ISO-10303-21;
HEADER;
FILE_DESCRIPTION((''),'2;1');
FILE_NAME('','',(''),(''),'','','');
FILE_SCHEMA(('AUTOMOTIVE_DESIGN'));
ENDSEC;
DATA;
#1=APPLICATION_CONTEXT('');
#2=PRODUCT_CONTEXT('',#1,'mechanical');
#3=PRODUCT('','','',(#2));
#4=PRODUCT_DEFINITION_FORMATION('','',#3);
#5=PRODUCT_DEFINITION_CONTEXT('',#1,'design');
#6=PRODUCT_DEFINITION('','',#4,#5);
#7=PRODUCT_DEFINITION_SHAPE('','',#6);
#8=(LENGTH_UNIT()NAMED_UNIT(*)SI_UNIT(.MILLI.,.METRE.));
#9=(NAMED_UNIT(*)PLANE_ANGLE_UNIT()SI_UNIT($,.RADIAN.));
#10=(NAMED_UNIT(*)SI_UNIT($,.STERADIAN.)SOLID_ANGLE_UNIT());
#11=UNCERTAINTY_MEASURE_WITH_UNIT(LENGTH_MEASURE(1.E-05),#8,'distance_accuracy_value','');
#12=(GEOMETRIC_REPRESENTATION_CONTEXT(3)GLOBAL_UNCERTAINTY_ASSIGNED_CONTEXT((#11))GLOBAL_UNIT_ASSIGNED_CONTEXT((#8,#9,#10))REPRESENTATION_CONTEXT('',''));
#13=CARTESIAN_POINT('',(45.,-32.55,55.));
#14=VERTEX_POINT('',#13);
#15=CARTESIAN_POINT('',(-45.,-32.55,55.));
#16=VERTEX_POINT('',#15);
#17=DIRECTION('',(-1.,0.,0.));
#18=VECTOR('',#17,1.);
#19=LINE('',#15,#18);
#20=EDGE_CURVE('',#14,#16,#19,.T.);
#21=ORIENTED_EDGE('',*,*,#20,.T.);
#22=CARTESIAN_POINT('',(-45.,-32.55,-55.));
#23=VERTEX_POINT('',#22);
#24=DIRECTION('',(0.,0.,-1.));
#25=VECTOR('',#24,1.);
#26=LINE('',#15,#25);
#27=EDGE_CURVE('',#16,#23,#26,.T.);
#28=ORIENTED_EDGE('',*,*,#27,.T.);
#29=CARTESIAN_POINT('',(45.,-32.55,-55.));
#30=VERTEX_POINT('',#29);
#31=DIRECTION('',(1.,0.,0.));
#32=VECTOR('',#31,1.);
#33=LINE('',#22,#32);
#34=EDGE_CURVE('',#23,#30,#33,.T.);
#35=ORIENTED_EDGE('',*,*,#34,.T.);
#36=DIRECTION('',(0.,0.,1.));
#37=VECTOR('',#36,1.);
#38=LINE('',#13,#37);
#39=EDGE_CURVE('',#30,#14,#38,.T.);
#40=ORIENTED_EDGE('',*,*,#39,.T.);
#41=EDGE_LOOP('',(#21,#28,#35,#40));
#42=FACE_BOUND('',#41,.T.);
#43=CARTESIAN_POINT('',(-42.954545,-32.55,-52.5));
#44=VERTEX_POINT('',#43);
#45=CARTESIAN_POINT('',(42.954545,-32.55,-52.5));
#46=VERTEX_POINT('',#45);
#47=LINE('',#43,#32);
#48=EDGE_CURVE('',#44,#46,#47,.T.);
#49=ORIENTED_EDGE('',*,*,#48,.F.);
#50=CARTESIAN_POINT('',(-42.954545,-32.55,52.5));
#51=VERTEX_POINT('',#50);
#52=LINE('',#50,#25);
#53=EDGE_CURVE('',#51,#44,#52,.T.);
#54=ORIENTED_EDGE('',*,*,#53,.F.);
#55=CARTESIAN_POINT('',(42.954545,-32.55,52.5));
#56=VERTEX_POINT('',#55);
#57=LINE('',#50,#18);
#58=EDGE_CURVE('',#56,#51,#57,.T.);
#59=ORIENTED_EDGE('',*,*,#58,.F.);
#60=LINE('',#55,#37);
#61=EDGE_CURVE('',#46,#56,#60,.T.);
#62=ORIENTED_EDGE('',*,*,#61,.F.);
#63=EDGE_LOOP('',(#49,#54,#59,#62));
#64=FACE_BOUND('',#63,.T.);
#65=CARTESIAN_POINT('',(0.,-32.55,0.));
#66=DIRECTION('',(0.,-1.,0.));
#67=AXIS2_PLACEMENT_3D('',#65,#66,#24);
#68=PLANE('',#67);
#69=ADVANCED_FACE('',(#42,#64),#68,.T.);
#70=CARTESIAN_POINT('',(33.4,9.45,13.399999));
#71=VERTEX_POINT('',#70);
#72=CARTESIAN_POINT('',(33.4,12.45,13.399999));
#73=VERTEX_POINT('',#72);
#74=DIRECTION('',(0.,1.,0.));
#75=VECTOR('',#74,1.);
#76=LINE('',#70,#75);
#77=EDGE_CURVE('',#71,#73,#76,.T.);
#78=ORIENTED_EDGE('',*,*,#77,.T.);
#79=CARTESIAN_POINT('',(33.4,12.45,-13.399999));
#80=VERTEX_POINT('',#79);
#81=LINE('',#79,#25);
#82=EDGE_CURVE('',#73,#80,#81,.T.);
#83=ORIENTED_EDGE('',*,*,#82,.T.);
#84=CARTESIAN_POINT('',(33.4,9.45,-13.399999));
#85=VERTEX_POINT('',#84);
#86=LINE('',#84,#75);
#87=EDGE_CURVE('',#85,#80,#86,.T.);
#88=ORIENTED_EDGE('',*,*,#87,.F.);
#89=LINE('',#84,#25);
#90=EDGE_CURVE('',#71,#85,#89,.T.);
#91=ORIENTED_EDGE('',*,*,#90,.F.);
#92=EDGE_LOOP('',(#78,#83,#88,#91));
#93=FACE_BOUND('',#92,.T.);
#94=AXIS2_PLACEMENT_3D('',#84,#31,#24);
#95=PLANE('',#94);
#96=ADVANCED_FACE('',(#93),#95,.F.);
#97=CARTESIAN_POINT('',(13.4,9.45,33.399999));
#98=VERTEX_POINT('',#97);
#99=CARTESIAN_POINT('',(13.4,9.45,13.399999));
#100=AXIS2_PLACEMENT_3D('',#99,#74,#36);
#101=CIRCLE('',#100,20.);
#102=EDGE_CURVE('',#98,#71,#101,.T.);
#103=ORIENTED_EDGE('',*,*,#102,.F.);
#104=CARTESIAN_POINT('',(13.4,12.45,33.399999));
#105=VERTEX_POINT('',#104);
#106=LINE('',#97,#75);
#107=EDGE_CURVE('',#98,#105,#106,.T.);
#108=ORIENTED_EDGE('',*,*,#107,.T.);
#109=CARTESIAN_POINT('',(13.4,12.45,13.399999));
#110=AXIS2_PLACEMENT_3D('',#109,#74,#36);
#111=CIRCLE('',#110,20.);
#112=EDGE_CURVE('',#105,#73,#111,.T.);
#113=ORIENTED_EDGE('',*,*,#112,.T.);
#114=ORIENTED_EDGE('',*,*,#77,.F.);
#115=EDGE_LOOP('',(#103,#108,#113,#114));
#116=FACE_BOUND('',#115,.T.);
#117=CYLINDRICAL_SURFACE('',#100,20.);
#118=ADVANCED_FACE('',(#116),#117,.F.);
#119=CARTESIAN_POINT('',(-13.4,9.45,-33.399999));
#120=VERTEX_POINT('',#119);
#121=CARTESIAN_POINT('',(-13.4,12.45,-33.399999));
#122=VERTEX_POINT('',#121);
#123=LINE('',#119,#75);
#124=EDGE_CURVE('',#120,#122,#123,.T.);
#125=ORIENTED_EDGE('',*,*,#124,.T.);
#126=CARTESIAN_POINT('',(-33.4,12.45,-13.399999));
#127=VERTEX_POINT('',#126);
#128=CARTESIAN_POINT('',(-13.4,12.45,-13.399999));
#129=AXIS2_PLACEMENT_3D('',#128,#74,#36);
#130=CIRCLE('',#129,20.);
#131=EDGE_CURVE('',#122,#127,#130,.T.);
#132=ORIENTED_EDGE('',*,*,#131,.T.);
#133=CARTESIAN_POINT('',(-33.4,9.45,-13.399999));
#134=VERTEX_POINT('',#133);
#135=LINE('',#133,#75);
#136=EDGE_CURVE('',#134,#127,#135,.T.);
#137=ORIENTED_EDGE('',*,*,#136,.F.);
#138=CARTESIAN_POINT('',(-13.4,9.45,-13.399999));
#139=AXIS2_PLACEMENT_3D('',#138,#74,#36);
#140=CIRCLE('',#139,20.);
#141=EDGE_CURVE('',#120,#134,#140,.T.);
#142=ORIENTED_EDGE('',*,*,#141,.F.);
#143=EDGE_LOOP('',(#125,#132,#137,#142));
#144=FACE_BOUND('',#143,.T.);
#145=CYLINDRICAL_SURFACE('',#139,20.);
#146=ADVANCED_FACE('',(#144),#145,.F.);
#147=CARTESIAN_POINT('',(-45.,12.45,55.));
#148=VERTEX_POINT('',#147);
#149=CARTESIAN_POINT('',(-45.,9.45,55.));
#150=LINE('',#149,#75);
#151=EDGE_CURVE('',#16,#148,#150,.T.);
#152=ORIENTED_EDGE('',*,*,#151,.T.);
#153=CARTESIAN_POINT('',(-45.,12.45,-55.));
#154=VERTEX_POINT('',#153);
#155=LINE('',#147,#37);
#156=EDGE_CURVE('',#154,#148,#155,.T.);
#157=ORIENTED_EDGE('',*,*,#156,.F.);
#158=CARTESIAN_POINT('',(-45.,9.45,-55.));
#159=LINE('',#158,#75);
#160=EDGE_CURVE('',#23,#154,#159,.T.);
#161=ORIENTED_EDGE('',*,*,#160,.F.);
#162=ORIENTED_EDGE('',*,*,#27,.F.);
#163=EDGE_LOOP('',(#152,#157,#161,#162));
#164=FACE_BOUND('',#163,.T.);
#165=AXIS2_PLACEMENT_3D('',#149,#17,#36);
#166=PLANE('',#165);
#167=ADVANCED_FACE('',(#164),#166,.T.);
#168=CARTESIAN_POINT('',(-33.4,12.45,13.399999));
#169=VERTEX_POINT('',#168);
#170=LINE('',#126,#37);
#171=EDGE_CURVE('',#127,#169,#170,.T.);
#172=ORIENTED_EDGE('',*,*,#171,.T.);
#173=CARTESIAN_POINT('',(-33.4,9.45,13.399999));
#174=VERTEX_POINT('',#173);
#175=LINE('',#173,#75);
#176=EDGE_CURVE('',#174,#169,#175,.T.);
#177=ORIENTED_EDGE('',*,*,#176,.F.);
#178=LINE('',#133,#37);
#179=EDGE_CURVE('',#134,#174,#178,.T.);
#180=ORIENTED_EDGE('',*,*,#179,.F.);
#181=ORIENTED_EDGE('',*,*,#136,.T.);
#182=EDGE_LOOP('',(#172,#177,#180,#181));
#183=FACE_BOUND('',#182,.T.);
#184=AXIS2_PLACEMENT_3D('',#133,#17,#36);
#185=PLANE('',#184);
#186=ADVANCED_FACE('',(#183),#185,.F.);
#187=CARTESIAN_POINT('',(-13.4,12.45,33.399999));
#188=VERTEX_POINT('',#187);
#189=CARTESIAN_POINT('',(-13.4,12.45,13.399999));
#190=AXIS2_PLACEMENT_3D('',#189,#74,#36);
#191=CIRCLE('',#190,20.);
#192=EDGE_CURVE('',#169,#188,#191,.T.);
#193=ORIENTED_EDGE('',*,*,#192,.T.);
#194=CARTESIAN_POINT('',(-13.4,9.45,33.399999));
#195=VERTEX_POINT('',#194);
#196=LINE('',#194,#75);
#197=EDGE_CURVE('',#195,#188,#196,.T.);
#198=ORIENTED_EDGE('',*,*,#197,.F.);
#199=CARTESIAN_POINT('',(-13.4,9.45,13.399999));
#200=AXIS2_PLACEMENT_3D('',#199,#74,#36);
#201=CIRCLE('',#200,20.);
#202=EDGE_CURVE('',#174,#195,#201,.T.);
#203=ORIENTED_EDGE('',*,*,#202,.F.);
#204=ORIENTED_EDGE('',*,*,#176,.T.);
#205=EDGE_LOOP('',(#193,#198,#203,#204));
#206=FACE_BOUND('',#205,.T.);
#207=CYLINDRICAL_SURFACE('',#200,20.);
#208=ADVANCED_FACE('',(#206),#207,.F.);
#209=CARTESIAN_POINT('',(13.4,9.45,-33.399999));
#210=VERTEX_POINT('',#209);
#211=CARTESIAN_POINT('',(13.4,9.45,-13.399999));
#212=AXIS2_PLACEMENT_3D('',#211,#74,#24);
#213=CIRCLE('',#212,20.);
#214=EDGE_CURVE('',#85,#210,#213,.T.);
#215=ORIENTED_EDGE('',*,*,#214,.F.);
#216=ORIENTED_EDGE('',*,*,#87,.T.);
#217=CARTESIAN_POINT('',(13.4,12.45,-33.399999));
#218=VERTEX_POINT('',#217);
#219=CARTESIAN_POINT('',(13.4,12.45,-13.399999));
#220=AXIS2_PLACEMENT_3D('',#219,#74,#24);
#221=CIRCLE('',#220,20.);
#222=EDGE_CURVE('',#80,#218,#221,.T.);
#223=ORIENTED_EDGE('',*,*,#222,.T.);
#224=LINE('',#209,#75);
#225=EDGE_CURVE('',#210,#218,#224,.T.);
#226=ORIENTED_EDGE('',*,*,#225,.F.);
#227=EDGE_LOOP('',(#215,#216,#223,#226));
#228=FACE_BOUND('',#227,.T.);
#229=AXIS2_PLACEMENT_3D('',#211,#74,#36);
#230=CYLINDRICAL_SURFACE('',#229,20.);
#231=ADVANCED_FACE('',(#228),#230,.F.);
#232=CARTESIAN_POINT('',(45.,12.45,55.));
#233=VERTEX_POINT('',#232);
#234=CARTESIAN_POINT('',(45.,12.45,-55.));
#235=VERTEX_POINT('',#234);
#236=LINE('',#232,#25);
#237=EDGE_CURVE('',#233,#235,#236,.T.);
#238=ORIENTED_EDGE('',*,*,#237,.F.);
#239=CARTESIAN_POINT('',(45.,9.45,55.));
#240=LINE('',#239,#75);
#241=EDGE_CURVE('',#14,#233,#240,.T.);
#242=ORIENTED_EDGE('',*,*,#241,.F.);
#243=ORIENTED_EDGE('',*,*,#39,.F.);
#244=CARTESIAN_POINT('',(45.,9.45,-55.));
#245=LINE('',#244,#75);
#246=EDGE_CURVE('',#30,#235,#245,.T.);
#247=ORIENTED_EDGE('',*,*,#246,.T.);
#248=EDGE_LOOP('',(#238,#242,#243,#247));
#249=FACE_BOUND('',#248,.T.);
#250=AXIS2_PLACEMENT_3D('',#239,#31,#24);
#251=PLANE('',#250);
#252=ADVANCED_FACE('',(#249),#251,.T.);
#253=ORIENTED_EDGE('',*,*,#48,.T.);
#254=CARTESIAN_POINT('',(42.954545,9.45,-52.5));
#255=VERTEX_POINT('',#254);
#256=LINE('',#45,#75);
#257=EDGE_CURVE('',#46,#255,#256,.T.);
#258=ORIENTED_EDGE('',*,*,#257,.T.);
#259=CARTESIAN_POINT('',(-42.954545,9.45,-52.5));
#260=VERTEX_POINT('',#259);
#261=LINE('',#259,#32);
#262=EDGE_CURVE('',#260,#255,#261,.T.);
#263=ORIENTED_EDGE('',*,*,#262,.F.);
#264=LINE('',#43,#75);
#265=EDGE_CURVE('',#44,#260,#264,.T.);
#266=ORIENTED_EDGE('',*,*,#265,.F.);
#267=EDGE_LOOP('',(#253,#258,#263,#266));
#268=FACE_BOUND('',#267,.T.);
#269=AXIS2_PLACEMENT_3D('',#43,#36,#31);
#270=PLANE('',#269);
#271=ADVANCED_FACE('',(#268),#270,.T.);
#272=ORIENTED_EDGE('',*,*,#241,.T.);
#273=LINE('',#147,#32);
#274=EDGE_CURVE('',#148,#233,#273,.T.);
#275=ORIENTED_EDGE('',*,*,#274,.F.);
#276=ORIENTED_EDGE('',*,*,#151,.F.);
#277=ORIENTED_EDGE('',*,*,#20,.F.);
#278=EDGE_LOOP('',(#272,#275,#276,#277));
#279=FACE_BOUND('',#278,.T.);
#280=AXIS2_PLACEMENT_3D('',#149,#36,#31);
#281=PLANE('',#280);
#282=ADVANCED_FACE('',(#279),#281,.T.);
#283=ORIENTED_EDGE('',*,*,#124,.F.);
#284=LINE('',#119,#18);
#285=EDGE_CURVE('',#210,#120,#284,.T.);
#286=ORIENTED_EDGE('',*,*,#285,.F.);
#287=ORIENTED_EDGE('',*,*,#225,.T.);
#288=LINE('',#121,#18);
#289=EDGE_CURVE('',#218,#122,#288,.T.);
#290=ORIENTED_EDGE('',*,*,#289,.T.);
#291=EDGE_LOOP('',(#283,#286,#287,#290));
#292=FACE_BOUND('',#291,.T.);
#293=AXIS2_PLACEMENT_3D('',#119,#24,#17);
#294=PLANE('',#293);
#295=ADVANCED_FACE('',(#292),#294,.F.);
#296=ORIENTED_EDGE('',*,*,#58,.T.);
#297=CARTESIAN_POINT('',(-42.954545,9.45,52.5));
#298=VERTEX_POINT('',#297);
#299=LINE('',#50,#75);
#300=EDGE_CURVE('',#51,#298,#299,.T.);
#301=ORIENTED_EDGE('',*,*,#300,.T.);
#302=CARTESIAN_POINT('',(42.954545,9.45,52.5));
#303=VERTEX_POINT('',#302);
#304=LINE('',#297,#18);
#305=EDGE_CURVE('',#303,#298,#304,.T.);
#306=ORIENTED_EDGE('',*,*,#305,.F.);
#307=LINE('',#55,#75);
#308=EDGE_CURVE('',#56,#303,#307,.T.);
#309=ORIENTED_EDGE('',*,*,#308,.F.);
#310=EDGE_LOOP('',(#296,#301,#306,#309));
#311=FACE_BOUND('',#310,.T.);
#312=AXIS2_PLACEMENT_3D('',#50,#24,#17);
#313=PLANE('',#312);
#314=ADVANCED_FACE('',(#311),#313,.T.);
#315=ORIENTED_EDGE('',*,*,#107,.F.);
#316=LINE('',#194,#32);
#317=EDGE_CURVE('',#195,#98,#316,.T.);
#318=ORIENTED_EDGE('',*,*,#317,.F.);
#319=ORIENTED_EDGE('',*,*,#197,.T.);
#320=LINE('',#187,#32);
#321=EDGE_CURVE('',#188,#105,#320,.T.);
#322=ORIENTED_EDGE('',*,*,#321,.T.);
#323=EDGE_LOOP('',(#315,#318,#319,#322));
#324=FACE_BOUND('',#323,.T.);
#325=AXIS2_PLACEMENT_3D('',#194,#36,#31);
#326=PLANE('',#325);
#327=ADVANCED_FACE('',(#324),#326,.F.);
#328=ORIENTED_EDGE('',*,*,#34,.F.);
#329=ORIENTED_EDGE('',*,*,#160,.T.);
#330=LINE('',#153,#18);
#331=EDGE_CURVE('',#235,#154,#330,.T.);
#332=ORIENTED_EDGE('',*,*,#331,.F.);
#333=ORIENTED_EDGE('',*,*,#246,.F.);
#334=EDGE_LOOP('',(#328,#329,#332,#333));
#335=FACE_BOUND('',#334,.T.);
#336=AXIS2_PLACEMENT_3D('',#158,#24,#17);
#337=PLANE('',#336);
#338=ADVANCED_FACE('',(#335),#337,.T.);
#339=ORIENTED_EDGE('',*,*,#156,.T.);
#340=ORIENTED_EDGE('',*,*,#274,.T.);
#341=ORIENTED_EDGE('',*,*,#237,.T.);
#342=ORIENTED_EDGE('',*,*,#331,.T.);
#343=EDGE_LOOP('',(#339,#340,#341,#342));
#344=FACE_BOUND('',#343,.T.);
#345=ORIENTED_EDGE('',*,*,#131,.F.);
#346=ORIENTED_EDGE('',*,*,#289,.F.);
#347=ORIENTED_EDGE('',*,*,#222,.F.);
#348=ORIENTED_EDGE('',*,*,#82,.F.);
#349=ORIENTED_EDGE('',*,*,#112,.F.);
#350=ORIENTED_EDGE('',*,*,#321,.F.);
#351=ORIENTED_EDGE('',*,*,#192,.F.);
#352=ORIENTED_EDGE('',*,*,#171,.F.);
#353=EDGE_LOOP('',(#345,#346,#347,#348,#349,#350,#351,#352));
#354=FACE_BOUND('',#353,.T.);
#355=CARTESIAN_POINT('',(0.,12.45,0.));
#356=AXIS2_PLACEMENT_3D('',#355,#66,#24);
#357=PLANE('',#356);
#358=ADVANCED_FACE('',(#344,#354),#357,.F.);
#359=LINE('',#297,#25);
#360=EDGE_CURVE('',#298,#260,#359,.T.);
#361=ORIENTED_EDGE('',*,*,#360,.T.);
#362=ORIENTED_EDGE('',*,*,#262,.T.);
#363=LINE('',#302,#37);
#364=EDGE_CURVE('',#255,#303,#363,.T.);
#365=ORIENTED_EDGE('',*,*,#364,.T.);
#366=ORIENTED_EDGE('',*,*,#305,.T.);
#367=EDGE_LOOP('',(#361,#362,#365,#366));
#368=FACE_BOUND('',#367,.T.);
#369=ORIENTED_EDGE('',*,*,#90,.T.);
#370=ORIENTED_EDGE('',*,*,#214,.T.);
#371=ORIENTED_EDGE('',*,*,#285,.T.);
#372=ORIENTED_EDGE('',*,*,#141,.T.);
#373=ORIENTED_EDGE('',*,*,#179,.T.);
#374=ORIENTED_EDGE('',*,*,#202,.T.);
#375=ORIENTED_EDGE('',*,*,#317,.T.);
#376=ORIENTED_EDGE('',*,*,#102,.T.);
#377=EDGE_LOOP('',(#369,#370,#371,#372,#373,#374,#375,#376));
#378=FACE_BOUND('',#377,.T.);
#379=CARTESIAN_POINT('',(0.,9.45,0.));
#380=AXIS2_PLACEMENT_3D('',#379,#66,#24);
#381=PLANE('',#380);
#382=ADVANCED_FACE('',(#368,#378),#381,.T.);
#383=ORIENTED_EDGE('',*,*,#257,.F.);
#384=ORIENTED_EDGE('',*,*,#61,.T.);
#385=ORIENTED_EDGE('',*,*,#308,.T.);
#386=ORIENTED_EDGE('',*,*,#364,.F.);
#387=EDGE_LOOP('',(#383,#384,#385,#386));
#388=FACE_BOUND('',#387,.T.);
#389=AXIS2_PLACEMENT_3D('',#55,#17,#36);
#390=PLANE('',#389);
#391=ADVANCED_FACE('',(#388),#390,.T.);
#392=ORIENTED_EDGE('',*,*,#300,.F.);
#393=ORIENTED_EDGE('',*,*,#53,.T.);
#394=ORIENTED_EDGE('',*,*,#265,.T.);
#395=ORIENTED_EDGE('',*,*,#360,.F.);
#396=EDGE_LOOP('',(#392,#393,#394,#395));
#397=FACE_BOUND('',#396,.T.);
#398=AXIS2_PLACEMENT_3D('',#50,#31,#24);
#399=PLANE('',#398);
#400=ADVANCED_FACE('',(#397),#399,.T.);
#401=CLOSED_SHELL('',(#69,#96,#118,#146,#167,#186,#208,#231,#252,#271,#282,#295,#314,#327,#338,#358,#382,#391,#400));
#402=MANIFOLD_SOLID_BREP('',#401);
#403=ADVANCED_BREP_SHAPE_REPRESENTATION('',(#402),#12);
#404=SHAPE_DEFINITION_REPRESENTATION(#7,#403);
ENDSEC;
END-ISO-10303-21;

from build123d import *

# Parameters (mm, degrees)
SKETCH1_W           = 90
SKETCH1_H           = 110
BOSS_EXTRUDE1_DEPTH = 3
CUT_EXTRUDE5_DEPTH  = 72.126647608
SKETCH3_W           = 90
SKETCH3_H           = 110
SKETCH3_W_2         = 85.90909091
SKETCH3_H_2         = 105
BOSS_EXTRUDE2_DEPTH = 42


with BuildPart() as part:
    # Sketch1 → Boss-Extrude1 (new body)
    with BuildSketch(Plane(origin=(0, 12.45, 0), x_dir=(1, 0, 0), z_dir=(0, 1, 0))):
        Rectangle(SKETCH1_W, SKETCH1_H)
    extrude(amount=-BOSS_EXTRUDE1_DEPTH)

    # Sketch2 → Cut-Extrude5 (cut, through all)
    with BuildSketch(Plane(origin=(0, 12.45, 0), x_dir=(1, 0, 0), z_dir=(0, 1, 0))):
        with BuildLine():
            Line((-13.4, 33.399999142), (13.4, 33.399999142))
            ThreePointArc((13.4, 33.399999142), (27.542135624, 27.542134765), (33.4, 13.399999142))
            Line((33.4, 13.399999142), (33.4, -13.399999142))
            ThreePointArc((33.4, -13.399999142), (27.542135624, -27.542134765), (13.4, -33.399999142))
            Line((13.4, -33.399999142), (-13.4, -33.399999142))
            ThreePointArc((-13.4, -33.399999142), (-27.542135624, -27.542134765), (-33.4, -13.399999142))
            Line((-33.4, -13.399999142), (-33.4, 13.399999142))
            ThreePointArc((-33.4, 13.399999142), (-27.542135624, 27.542134765), (-13.4, 33.399999142))
        make_face()
    extrude(amount=-CUT_EXTRUDE5_DEPTH, mode=Mode.SUBTRACT)

    # Sketch3 → Boss-Extrude2 (add)
    with BuildSketch(Plane.XZ.offset(-9.45)):
        Rectangle(SKETCH3_W, SKETCH3_H)
        Rectangle(SKETCH3_W_2, SKETCH3_H_2, mode=Mode.SUBTRACT)
    extrude(amount=BOSS_EXTRUDE2_DEPTH)


solid = part.part
